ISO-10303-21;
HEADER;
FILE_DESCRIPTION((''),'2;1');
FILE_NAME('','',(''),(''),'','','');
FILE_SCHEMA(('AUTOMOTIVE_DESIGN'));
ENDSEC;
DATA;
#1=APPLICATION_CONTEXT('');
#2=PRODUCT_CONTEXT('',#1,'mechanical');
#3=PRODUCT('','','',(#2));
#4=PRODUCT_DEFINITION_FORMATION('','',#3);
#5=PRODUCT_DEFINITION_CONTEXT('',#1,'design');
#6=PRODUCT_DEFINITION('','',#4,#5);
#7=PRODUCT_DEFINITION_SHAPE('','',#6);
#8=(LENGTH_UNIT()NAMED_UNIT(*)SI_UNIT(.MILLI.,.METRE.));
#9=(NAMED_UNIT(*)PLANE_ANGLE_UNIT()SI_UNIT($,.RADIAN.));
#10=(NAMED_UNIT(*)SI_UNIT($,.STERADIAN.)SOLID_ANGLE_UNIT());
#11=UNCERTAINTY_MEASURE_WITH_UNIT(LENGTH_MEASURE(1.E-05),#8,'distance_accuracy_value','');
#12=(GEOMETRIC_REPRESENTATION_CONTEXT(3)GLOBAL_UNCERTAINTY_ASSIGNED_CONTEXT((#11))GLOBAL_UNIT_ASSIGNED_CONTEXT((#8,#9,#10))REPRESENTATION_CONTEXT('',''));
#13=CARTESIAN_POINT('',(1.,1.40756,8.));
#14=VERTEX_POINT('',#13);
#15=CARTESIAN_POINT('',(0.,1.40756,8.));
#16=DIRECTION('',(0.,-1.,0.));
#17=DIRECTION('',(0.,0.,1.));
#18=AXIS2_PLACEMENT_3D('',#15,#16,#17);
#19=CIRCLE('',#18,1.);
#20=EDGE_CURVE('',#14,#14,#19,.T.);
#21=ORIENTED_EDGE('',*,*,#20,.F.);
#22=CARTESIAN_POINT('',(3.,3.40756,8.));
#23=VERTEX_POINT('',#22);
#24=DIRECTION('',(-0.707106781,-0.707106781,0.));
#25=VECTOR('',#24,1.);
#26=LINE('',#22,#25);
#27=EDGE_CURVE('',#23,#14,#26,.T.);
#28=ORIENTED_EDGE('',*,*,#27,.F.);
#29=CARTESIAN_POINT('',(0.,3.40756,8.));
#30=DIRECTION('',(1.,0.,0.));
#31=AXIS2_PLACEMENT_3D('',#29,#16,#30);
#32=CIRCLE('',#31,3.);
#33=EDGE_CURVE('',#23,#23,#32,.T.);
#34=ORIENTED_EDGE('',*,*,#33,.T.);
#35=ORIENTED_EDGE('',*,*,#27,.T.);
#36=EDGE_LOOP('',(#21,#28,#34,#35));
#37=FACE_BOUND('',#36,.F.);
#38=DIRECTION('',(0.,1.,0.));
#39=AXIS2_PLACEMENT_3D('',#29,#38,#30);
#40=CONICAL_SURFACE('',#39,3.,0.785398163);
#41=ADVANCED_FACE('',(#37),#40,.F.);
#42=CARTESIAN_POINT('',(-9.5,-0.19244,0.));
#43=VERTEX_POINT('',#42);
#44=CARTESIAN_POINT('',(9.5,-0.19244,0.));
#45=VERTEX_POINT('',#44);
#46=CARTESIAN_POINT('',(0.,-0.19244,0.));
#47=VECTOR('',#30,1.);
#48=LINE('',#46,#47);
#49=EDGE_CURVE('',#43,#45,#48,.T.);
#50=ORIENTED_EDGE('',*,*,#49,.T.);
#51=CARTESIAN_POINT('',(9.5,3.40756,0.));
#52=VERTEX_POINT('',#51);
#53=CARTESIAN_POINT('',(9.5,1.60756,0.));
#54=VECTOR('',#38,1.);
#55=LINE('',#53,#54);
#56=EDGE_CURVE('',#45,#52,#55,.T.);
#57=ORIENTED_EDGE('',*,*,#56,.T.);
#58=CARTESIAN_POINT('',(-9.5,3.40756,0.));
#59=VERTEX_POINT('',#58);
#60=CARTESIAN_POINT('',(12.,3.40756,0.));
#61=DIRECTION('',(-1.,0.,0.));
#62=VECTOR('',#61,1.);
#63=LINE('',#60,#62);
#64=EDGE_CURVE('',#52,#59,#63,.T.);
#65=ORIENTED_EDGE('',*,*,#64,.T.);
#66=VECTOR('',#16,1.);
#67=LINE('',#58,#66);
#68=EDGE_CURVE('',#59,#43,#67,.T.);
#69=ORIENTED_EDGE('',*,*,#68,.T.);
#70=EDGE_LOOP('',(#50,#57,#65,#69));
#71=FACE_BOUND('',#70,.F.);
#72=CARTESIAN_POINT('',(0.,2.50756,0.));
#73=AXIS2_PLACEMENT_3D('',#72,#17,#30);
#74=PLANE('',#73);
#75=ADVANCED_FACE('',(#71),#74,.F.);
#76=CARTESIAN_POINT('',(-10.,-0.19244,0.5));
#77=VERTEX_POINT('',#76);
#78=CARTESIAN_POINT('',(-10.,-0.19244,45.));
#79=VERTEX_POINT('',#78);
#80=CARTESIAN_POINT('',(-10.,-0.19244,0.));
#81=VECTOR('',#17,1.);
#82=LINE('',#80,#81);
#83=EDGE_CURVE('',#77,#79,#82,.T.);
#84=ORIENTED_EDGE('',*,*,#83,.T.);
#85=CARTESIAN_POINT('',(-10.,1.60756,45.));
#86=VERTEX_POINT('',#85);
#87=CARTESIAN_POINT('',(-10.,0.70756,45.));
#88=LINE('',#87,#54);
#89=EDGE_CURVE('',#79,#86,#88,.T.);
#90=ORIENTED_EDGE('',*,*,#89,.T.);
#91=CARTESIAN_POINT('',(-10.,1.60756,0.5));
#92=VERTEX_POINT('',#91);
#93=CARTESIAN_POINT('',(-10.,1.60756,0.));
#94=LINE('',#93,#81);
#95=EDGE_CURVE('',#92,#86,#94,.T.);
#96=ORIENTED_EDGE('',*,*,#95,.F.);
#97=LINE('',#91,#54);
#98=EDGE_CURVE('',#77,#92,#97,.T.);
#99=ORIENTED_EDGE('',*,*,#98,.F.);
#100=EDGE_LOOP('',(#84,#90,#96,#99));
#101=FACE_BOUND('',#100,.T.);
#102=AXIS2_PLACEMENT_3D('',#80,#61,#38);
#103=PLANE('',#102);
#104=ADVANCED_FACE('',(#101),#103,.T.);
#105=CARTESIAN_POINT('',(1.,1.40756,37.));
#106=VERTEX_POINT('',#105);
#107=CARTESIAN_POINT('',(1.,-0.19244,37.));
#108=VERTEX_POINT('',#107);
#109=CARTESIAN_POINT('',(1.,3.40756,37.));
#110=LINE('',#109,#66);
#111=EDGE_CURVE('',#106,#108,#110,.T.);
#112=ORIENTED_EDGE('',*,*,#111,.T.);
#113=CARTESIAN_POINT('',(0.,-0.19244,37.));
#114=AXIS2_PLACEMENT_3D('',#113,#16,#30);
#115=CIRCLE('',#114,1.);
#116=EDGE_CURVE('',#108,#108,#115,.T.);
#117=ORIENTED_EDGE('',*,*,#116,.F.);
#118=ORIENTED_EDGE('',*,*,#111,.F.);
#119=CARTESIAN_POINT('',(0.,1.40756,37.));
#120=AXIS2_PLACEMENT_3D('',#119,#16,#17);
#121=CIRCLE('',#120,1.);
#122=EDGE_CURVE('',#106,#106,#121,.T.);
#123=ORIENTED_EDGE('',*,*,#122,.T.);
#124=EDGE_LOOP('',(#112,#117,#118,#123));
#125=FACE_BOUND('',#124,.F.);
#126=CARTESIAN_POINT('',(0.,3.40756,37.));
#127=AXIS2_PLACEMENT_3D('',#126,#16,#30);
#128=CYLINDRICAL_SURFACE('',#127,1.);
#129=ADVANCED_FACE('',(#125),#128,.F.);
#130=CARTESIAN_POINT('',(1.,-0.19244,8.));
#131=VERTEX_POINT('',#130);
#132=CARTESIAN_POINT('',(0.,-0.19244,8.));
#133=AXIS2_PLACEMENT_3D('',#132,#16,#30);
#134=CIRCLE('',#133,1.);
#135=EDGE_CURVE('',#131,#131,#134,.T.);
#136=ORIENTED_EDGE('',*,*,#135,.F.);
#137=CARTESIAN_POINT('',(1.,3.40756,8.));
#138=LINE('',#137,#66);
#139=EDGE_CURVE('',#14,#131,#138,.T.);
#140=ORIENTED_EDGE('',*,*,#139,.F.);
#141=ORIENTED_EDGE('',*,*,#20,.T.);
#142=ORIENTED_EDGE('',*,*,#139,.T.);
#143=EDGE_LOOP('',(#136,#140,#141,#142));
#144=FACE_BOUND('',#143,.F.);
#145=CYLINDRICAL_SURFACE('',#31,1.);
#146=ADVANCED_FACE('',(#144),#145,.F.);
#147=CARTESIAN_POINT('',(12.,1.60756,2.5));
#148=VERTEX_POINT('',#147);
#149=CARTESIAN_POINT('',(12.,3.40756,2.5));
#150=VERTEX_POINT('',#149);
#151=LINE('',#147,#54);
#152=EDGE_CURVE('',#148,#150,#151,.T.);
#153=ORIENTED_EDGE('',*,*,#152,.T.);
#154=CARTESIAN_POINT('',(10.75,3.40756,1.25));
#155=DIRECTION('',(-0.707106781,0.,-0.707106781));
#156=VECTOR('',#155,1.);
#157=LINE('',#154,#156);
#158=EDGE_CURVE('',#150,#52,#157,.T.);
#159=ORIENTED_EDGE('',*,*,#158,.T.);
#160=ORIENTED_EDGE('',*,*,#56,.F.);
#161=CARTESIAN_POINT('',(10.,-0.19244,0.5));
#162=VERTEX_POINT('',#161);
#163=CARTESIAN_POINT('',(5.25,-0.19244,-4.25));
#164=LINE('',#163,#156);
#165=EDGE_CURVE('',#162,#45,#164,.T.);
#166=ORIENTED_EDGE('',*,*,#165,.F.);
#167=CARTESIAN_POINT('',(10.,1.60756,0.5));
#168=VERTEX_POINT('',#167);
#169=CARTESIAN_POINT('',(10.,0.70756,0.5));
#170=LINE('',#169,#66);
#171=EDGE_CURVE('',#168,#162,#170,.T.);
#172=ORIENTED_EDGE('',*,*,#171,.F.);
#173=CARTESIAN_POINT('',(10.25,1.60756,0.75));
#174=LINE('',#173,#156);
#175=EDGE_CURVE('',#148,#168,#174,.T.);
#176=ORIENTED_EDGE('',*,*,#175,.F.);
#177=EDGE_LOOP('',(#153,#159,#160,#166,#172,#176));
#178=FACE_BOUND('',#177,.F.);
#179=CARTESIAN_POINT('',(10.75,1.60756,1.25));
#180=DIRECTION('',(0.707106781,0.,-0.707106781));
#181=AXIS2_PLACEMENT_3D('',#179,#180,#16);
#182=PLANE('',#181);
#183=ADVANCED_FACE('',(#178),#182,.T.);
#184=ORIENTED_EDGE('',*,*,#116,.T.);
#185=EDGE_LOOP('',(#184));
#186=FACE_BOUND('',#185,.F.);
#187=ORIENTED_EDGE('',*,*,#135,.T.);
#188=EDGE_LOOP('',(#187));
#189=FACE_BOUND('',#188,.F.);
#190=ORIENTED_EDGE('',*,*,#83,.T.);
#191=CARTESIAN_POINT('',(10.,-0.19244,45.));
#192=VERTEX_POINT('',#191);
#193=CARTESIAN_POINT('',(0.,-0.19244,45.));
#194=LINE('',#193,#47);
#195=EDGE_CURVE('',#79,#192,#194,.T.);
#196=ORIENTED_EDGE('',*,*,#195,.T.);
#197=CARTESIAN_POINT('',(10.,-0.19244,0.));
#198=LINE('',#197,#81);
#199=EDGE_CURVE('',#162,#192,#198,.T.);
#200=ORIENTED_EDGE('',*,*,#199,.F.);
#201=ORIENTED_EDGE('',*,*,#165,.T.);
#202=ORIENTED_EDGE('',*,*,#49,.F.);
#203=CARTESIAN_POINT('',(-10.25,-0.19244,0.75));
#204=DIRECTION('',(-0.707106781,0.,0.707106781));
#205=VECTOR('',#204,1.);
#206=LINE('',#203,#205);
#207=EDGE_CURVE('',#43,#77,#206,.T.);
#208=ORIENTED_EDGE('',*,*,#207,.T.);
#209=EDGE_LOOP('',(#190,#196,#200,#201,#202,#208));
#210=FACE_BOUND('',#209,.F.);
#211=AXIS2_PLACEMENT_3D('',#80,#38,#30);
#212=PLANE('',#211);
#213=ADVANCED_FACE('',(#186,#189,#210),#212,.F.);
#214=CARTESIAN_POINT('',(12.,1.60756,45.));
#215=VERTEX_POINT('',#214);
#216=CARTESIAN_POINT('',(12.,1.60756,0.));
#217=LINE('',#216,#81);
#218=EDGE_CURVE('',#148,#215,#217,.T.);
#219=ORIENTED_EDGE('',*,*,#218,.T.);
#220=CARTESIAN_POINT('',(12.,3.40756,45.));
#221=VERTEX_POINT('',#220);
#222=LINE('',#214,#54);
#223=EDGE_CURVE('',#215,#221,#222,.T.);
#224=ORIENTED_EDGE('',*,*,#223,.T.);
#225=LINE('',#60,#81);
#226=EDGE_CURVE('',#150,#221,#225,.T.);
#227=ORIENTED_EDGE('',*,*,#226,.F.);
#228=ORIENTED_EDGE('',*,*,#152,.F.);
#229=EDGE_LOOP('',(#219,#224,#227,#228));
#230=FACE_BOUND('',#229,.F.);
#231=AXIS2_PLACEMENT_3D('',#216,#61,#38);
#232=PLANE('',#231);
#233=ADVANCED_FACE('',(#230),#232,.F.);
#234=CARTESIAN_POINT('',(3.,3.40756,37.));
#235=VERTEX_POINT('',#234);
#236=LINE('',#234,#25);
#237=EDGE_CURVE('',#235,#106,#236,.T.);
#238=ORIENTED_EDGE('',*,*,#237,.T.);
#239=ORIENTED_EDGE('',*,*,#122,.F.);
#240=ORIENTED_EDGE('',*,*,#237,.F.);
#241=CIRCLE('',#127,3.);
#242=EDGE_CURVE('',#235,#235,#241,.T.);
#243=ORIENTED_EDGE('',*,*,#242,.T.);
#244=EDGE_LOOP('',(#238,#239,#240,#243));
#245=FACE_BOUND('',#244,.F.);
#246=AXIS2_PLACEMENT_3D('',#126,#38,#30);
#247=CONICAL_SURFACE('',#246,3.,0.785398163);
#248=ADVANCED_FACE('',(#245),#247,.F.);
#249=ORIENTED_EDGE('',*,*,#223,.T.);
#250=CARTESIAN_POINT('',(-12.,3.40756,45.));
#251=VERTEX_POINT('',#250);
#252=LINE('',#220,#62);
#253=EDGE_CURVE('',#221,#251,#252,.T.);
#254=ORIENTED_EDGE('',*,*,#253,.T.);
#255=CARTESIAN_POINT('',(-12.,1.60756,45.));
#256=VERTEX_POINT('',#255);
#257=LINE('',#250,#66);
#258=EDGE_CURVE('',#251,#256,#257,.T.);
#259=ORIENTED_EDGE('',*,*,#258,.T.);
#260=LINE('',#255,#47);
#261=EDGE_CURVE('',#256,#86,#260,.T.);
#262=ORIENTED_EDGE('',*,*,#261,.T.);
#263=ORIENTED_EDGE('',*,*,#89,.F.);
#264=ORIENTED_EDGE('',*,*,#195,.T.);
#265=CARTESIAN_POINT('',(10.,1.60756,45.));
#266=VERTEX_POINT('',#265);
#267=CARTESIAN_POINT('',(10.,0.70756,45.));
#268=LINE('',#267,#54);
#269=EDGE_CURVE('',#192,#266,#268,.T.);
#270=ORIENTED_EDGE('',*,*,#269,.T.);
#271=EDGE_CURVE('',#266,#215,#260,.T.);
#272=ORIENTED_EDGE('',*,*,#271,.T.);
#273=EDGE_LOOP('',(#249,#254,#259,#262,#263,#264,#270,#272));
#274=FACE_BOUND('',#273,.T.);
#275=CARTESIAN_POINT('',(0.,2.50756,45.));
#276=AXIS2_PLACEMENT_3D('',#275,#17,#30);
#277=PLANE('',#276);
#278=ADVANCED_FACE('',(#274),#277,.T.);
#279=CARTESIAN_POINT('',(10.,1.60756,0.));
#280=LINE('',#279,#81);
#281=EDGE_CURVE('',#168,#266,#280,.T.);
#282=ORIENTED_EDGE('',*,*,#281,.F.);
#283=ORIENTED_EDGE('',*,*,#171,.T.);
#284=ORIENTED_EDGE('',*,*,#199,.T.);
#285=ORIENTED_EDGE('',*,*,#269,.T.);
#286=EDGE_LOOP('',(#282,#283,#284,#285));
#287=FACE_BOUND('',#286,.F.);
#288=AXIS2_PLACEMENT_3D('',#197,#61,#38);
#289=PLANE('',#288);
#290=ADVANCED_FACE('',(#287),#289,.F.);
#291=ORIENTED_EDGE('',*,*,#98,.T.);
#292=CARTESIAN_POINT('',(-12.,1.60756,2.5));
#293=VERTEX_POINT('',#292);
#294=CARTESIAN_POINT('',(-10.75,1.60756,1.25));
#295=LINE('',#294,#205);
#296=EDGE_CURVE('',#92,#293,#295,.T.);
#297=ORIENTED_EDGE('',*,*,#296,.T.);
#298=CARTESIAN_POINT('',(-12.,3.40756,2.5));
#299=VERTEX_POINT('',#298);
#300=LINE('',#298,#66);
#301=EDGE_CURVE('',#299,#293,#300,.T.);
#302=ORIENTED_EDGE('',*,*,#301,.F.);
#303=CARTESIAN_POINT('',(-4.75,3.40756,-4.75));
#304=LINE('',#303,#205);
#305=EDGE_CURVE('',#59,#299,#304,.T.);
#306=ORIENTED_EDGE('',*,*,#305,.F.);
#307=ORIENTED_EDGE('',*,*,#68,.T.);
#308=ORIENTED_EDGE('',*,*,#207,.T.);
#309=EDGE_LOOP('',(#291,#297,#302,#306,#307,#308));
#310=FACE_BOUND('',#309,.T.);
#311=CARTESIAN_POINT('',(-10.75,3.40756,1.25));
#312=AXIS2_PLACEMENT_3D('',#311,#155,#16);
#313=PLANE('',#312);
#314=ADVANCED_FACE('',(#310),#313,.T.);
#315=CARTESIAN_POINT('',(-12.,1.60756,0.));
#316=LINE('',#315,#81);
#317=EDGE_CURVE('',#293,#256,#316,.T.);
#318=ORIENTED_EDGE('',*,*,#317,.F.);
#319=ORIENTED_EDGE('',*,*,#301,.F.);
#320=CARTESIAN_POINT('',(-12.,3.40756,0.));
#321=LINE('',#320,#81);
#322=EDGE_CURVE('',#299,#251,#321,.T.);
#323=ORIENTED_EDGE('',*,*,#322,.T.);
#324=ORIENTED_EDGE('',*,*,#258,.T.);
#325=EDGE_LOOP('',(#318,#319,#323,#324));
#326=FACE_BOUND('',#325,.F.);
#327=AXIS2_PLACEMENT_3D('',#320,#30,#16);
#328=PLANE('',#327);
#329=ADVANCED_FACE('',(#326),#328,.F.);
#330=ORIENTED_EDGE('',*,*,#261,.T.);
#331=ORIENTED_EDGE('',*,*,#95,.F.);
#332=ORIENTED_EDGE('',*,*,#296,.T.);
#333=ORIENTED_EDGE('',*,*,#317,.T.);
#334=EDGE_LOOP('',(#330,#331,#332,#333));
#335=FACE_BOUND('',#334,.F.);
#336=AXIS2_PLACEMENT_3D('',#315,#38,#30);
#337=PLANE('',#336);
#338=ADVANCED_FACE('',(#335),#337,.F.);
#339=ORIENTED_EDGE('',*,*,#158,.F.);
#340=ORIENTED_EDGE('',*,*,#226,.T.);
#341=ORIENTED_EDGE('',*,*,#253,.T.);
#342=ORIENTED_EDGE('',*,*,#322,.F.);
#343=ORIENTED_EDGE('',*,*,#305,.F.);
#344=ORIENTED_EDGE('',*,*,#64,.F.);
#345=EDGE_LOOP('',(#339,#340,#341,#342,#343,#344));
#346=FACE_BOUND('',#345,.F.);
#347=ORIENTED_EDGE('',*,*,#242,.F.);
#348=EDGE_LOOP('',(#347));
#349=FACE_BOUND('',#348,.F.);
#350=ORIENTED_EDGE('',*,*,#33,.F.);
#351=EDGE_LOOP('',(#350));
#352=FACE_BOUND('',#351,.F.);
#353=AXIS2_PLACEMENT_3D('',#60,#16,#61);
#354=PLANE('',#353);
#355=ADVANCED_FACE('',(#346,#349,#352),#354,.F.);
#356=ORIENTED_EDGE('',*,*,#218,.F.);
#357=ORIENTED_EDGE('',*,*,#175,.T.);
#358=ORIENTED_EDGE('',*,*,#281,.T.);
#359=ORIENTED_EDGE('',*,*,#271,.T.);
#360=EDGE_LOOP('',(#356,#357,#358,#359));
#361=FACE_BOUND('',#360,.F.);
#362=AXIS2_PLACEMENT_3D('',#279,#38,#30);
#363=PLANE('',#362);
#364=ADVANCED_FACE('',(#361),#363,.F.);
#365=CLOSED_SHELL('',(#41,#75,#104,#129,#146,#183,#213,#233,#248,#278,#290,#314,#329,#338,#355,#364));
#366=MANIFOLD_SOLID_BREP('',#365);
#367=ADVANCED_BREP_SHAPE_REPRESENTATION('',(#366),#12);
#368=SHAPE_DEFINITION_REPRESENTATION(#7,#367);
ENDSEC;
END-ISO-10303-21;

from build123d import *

# Parameters (mm, degrees)
F0_W           = 20
F0_H           = 1.8
F1_DEPTH       = 45
F2_SIZE        = 2.5
F3_SIZE        = 2.5
F5_D           = 2
F5_DEPTH       = 15
F5_CSINK_D     = 6
F5_CSINK_ANGLE = 90


with BuildPart() as f1:
    # F0 (on Top) → F1 (new body)
    with BuildSketch(Plane.XY):
        Polygon((12, 3.40756), (-12, 3.40756), (-12, 1.60756), (-10, 1.60756), (10, 1.60756), (12, 1.60756), align=None)
        with Locations((0, 0.70756)):
            Rectangle(F0_W, F0_H)
    extrude(amount=F1_DEPTH)

    # F2
    f2_edges = [f1.edges().sort_by_distance(p)[0] for p in [
        (12, 2.50756, 0),
    ]]
    chamfer(f2_edges, length=F2_SIZE)

    # F3
    f3_edges = [f1.edges().sort_by_distance(p)[0] for p in [
        (-12, 2.50756, 0),
    ]]
    chamfer(f3_edges, length=F3_SIZE)

    # F5
    with Locations(Plane(origin=(0, 3.40756, 0), x_dir=(-1, 0, 0), z_dir=(0, 1, 0))):
        with Locations((0, 37), (0, 8)):
            CounterSinkHole(F5_D / 2, F5_CSINK_D / 2, depth=F5_DEPTH, counter_sink_angle=F5_CSINK_ANGLE)


solid = f1.part
